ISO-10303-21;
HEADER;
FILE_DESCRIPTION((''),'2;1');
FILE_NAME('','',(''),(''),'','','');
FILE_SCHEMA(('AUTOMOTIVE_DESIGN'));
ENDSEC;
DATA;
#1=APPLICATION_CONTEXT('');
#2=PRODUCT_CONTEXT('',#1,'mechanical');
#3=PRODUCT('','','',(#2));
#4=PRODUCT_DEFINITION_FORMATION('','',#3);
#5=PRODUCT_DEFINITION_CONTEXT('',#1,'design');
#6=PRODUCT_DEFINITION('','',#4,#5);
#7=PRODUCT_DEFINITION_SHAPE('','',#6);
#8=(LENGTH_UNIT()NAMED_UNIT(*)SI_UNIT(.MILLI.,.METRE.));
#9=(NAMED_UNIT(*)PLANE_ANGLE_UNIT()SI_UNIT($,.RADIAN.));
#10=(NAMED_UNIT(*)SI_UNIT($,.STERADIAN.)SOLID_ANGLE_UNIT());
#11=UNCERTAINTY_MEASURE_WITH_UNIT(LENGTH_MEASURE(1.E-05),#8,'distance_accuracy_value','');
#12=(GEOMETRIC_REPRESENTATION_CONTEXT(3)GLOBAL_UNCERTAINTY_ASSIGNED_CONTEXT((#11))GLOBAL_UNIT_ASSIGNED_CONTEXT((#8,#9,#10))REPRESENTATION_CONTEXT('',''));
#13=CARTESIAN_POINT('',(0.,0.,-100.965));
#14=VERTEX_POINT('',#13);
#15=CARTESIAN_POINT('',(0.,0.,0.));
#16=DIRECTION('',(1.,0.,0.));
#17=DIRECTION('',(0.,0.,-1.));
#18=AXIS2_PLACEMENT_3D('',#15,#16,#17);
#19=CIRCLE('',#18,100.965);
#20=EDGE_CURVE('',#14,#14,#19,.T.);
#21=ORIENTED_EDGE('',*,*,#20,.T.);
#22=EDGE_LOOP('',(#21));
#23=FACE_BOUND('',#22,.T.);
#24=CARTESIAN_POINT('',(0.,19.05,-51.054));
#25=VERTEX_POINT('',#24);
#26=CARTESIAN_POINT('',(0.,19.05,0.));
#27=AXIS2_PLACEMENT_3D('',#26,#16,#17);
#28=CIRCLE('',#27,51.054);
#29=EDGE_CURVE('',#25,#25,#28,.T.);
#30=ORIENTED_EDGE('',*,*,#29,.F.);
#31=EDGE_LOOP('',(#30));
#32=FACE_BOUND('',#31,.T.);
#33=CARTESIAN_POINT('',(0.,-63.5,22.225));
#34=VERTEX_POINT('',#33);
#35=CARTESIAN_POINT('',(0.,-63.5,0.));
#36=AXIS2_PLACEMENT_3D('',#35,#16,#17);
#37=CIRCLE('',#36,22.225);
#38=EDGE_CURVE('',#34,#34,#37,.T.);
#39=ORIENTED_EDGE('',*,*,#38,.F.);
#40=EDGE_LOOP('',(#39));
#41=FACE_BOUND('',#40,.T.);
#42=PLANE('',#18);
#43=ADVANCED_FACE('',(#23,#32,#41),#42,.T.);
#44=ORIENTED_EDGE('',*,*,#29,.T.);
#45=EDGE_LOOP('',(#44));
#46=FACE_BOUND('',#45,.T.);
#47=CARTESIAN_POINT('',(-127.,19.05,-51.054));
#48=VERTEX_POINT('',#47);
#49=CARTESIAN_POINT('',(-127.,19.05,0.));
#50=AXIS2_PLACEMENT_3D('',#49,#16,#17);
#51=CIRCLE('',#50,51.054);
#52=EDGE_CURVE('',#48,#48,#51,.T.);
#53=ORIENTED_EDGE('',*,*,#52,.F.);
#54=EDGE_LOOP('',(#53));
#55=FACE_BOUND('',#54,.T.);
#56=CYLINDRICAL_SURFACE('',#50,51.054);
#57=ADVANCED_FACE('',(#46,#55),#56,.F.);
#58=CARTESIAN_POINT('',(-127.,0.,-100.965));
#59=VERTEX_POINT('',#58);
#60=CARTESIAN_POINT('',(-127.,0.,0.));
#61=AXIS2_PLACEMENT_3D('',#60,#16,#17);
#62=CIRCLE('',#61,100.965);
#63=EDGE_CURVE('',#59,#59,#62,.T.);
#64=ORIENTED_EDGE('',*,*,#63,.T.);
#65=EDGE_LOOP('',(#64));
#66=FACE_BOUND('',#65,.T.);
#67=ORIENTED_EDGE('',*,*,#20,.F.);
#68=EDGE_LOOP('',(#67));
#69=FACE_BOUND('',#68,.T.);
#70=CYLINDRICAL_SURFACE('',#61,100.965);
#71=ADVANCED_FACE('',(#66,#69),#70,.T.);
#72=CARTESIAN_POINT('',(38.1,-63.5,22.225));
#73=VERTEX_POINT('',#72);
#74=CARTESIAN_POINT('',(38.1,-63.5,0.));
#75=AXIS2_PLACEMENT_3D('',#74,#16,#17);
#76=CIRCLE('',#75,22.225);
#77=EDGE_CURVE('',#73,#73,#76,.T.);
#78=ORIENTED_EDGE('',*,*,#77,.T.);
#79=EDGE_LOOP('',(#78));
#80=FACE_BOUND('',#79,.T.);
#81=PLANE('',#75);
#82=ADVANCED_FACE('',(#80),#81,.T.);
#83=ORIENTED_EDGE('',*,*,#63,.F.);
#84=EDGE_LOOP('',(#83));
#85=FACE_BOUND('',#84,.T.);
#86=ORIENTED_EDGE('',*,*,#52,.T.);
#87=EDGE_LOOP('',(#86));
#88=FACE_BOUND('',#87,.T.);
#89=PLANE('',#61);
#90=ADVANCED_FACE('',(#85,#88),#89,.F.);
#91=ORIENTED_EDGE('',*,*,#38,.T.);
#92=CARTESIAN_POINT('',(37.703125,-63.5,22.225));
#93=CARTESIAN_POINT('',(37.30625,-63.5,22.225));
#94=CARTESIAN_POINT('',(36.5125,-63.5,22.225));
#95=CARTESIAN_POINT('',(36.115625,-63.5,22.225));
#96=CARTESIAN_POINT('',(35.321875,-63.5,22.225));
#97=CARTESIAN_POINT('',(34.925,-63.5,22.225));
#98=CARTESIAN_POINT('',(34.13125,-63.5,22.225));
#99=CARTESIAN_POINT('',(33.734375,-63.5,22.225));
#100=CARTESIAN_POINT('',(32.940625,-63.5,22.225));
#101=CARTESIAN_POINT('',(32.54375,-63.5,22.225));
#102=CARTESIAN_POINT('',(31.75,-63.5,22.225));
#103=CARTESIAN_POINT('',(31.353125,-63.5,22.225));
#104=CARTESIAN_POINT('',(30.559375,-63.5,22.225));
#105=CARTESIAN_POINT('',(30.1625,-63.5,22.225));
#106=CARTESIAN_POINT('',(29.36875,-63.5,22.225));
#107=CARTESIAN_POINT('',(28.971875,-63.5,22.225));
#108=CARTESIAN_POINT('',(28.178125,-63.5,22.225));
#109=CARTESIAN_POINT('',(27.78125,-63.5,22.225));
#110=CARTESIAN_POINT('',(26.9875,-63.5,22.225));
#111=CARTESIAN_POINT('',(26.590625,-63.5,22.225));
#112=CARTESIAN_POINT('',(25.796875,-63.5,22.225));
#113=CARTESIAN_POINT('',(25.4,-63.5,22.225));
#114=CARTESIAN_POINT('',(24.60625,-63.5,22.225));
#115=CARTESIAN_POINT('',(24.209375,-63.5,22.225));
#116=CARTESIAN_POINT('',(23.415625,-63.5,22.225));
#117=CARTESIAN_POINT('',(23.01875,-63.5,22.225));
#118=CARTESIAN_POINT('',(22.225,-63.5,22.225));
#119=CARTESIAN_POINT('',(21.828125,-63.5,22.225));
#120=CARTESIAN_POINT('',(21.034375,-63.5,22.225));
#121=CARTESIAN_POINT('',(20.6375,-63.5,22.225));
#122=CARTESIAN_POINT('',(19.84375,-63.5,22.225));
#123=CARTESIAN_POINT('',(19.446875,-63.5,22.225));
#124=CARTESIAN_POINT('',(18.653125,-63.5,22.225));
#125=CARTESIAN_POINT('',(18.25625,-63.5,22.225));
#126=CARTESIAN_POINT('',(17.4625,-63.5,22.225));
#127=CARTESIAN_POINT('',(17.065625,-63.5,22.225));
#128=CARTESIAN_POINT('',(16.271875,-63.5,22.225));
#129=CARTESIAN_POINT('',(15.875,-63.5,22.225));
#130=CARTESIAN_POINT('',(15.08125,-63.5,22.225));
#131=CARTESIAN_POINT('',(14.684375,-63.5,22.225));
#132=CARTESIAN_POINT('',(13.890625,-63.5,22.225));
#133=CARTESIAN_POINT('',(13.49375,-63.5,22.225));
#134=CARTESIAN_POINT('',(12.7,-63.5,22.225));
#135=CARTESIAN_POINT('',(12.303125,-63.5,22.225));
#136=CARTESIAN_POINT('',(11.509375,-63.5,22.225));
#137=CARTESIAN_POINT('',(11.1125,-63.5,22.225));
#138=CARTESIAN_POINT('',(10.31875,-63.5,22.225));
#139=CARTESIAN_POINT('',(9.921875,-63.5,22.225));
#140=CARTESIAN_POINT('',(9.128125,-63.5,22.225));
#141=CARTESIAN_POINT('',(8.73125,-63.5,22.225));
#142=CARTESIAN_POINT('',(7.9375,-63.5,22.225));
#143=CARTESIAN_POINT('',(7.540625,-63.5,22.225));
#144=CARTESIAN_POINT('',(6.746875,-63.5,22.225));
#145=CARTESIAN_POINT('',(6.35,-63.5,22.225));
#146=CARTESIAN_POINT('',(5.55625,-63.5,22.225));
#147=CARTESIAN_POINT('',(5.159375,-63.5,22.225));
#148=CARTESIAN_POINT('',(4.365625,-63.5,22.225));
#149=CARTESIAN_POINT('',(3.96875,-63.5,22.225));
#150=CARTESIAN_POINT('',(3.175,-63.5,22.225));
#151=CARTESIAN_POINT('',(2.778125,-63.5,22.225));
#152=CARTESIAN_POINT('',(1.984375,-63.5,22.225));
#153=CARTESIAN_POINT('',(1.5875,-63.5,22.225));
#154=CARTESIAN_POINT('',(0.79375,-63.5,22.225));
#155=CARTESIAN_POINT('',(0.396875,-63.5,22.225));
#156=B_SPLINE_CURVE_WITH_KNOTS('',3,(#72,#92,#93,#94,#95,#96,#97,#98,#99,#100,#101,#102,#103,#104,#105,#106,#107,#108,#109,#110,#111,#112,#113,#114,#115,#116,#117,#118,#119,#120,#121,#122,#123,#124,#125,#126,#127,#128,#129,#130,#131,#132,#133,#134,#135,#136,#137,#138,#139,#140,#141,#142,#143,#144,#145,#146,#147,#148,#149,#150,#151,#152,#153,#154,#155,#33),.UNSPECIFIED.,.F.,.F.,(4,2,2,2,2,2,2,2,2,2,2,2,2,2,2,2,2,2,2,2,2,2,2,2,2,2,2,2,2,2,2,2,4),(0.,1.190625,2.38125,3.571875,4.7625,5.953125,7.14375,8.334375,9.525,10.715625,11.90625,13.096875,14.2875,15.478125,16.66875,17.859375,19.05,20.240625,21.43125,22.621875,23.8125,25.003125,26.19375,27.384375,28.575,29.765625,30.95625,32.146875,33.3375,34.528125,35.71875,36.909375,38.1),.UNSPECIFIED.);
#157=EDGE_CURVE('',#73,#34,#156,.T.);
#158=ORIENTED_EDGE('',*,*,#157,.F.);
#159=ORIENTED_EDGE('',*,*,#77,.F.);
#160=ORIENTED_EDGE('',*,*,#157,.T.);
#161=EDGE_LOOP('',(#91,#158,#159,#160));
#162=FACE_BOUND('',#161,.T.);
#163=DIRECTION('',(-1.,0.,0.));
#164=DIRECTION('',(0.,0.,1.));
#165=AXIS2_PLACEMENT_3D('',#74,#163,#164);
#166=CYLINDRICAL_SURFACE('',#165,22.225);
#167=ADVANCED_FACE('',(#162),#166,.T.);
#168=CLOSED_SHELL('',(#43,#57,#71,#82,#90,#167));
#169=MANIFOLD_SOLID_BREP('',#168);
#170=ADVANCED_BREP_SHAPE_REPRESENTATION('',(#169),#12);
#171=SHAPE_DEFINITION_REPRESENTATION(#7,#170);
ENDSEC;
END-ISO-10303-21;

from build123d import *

# Parameters (mm, degrees)
SKETCH1_R           = 100.965
BOSS_EXTRUDE1_DEPTH = 127
SKETCH2_R           = 51.054
CUT_EXTRUDE1_DEPTH  = 192.093857698
SKETCH3_R           = 22.225
BOSS_EXTRUDE2_DEPTH = 38.1


with BuildPart() as part:
    # Sketch1 → Boss-Extrude1 (new body)
    with BuildSketch(Plane(origin=(0, 0, 0), x_dir=(0, 0, -1), z_dir=(1, 0, 0))):
        Circle(SKETCH1_R)
    extrude(amount=-BOSS_EXTRUDE1_DEPTH)

    # Sketch2 → Cut-Extrude1 (cut, through all)
    with BuildSketch(Plane(origin=(0, 0, 0), x_dir=(0, 0, -1), z_dir=(1, 0, 0))):
        with Locations((0, 19.05)):
            Circle(SKETCH2_R)
    extrude(amount=-CUT_EXTRUDE1_DEPTH, mode=Mode.SUBTRACT)

    # Sketch3 → Boss-Extrude2 (add)
    with BuildSketch(Plane(origin=(0, 0, 0), x_dir=(0, 0, -1), z_dir=(1, 0, 0))):
        with Locations(Location((0, -63.5, 0), (0, 0, 180))):
            Circle(SKETCH3_R)
    extrude(amount=BOSS_EXTRUDE2_DEPTH)


solid = part.part
